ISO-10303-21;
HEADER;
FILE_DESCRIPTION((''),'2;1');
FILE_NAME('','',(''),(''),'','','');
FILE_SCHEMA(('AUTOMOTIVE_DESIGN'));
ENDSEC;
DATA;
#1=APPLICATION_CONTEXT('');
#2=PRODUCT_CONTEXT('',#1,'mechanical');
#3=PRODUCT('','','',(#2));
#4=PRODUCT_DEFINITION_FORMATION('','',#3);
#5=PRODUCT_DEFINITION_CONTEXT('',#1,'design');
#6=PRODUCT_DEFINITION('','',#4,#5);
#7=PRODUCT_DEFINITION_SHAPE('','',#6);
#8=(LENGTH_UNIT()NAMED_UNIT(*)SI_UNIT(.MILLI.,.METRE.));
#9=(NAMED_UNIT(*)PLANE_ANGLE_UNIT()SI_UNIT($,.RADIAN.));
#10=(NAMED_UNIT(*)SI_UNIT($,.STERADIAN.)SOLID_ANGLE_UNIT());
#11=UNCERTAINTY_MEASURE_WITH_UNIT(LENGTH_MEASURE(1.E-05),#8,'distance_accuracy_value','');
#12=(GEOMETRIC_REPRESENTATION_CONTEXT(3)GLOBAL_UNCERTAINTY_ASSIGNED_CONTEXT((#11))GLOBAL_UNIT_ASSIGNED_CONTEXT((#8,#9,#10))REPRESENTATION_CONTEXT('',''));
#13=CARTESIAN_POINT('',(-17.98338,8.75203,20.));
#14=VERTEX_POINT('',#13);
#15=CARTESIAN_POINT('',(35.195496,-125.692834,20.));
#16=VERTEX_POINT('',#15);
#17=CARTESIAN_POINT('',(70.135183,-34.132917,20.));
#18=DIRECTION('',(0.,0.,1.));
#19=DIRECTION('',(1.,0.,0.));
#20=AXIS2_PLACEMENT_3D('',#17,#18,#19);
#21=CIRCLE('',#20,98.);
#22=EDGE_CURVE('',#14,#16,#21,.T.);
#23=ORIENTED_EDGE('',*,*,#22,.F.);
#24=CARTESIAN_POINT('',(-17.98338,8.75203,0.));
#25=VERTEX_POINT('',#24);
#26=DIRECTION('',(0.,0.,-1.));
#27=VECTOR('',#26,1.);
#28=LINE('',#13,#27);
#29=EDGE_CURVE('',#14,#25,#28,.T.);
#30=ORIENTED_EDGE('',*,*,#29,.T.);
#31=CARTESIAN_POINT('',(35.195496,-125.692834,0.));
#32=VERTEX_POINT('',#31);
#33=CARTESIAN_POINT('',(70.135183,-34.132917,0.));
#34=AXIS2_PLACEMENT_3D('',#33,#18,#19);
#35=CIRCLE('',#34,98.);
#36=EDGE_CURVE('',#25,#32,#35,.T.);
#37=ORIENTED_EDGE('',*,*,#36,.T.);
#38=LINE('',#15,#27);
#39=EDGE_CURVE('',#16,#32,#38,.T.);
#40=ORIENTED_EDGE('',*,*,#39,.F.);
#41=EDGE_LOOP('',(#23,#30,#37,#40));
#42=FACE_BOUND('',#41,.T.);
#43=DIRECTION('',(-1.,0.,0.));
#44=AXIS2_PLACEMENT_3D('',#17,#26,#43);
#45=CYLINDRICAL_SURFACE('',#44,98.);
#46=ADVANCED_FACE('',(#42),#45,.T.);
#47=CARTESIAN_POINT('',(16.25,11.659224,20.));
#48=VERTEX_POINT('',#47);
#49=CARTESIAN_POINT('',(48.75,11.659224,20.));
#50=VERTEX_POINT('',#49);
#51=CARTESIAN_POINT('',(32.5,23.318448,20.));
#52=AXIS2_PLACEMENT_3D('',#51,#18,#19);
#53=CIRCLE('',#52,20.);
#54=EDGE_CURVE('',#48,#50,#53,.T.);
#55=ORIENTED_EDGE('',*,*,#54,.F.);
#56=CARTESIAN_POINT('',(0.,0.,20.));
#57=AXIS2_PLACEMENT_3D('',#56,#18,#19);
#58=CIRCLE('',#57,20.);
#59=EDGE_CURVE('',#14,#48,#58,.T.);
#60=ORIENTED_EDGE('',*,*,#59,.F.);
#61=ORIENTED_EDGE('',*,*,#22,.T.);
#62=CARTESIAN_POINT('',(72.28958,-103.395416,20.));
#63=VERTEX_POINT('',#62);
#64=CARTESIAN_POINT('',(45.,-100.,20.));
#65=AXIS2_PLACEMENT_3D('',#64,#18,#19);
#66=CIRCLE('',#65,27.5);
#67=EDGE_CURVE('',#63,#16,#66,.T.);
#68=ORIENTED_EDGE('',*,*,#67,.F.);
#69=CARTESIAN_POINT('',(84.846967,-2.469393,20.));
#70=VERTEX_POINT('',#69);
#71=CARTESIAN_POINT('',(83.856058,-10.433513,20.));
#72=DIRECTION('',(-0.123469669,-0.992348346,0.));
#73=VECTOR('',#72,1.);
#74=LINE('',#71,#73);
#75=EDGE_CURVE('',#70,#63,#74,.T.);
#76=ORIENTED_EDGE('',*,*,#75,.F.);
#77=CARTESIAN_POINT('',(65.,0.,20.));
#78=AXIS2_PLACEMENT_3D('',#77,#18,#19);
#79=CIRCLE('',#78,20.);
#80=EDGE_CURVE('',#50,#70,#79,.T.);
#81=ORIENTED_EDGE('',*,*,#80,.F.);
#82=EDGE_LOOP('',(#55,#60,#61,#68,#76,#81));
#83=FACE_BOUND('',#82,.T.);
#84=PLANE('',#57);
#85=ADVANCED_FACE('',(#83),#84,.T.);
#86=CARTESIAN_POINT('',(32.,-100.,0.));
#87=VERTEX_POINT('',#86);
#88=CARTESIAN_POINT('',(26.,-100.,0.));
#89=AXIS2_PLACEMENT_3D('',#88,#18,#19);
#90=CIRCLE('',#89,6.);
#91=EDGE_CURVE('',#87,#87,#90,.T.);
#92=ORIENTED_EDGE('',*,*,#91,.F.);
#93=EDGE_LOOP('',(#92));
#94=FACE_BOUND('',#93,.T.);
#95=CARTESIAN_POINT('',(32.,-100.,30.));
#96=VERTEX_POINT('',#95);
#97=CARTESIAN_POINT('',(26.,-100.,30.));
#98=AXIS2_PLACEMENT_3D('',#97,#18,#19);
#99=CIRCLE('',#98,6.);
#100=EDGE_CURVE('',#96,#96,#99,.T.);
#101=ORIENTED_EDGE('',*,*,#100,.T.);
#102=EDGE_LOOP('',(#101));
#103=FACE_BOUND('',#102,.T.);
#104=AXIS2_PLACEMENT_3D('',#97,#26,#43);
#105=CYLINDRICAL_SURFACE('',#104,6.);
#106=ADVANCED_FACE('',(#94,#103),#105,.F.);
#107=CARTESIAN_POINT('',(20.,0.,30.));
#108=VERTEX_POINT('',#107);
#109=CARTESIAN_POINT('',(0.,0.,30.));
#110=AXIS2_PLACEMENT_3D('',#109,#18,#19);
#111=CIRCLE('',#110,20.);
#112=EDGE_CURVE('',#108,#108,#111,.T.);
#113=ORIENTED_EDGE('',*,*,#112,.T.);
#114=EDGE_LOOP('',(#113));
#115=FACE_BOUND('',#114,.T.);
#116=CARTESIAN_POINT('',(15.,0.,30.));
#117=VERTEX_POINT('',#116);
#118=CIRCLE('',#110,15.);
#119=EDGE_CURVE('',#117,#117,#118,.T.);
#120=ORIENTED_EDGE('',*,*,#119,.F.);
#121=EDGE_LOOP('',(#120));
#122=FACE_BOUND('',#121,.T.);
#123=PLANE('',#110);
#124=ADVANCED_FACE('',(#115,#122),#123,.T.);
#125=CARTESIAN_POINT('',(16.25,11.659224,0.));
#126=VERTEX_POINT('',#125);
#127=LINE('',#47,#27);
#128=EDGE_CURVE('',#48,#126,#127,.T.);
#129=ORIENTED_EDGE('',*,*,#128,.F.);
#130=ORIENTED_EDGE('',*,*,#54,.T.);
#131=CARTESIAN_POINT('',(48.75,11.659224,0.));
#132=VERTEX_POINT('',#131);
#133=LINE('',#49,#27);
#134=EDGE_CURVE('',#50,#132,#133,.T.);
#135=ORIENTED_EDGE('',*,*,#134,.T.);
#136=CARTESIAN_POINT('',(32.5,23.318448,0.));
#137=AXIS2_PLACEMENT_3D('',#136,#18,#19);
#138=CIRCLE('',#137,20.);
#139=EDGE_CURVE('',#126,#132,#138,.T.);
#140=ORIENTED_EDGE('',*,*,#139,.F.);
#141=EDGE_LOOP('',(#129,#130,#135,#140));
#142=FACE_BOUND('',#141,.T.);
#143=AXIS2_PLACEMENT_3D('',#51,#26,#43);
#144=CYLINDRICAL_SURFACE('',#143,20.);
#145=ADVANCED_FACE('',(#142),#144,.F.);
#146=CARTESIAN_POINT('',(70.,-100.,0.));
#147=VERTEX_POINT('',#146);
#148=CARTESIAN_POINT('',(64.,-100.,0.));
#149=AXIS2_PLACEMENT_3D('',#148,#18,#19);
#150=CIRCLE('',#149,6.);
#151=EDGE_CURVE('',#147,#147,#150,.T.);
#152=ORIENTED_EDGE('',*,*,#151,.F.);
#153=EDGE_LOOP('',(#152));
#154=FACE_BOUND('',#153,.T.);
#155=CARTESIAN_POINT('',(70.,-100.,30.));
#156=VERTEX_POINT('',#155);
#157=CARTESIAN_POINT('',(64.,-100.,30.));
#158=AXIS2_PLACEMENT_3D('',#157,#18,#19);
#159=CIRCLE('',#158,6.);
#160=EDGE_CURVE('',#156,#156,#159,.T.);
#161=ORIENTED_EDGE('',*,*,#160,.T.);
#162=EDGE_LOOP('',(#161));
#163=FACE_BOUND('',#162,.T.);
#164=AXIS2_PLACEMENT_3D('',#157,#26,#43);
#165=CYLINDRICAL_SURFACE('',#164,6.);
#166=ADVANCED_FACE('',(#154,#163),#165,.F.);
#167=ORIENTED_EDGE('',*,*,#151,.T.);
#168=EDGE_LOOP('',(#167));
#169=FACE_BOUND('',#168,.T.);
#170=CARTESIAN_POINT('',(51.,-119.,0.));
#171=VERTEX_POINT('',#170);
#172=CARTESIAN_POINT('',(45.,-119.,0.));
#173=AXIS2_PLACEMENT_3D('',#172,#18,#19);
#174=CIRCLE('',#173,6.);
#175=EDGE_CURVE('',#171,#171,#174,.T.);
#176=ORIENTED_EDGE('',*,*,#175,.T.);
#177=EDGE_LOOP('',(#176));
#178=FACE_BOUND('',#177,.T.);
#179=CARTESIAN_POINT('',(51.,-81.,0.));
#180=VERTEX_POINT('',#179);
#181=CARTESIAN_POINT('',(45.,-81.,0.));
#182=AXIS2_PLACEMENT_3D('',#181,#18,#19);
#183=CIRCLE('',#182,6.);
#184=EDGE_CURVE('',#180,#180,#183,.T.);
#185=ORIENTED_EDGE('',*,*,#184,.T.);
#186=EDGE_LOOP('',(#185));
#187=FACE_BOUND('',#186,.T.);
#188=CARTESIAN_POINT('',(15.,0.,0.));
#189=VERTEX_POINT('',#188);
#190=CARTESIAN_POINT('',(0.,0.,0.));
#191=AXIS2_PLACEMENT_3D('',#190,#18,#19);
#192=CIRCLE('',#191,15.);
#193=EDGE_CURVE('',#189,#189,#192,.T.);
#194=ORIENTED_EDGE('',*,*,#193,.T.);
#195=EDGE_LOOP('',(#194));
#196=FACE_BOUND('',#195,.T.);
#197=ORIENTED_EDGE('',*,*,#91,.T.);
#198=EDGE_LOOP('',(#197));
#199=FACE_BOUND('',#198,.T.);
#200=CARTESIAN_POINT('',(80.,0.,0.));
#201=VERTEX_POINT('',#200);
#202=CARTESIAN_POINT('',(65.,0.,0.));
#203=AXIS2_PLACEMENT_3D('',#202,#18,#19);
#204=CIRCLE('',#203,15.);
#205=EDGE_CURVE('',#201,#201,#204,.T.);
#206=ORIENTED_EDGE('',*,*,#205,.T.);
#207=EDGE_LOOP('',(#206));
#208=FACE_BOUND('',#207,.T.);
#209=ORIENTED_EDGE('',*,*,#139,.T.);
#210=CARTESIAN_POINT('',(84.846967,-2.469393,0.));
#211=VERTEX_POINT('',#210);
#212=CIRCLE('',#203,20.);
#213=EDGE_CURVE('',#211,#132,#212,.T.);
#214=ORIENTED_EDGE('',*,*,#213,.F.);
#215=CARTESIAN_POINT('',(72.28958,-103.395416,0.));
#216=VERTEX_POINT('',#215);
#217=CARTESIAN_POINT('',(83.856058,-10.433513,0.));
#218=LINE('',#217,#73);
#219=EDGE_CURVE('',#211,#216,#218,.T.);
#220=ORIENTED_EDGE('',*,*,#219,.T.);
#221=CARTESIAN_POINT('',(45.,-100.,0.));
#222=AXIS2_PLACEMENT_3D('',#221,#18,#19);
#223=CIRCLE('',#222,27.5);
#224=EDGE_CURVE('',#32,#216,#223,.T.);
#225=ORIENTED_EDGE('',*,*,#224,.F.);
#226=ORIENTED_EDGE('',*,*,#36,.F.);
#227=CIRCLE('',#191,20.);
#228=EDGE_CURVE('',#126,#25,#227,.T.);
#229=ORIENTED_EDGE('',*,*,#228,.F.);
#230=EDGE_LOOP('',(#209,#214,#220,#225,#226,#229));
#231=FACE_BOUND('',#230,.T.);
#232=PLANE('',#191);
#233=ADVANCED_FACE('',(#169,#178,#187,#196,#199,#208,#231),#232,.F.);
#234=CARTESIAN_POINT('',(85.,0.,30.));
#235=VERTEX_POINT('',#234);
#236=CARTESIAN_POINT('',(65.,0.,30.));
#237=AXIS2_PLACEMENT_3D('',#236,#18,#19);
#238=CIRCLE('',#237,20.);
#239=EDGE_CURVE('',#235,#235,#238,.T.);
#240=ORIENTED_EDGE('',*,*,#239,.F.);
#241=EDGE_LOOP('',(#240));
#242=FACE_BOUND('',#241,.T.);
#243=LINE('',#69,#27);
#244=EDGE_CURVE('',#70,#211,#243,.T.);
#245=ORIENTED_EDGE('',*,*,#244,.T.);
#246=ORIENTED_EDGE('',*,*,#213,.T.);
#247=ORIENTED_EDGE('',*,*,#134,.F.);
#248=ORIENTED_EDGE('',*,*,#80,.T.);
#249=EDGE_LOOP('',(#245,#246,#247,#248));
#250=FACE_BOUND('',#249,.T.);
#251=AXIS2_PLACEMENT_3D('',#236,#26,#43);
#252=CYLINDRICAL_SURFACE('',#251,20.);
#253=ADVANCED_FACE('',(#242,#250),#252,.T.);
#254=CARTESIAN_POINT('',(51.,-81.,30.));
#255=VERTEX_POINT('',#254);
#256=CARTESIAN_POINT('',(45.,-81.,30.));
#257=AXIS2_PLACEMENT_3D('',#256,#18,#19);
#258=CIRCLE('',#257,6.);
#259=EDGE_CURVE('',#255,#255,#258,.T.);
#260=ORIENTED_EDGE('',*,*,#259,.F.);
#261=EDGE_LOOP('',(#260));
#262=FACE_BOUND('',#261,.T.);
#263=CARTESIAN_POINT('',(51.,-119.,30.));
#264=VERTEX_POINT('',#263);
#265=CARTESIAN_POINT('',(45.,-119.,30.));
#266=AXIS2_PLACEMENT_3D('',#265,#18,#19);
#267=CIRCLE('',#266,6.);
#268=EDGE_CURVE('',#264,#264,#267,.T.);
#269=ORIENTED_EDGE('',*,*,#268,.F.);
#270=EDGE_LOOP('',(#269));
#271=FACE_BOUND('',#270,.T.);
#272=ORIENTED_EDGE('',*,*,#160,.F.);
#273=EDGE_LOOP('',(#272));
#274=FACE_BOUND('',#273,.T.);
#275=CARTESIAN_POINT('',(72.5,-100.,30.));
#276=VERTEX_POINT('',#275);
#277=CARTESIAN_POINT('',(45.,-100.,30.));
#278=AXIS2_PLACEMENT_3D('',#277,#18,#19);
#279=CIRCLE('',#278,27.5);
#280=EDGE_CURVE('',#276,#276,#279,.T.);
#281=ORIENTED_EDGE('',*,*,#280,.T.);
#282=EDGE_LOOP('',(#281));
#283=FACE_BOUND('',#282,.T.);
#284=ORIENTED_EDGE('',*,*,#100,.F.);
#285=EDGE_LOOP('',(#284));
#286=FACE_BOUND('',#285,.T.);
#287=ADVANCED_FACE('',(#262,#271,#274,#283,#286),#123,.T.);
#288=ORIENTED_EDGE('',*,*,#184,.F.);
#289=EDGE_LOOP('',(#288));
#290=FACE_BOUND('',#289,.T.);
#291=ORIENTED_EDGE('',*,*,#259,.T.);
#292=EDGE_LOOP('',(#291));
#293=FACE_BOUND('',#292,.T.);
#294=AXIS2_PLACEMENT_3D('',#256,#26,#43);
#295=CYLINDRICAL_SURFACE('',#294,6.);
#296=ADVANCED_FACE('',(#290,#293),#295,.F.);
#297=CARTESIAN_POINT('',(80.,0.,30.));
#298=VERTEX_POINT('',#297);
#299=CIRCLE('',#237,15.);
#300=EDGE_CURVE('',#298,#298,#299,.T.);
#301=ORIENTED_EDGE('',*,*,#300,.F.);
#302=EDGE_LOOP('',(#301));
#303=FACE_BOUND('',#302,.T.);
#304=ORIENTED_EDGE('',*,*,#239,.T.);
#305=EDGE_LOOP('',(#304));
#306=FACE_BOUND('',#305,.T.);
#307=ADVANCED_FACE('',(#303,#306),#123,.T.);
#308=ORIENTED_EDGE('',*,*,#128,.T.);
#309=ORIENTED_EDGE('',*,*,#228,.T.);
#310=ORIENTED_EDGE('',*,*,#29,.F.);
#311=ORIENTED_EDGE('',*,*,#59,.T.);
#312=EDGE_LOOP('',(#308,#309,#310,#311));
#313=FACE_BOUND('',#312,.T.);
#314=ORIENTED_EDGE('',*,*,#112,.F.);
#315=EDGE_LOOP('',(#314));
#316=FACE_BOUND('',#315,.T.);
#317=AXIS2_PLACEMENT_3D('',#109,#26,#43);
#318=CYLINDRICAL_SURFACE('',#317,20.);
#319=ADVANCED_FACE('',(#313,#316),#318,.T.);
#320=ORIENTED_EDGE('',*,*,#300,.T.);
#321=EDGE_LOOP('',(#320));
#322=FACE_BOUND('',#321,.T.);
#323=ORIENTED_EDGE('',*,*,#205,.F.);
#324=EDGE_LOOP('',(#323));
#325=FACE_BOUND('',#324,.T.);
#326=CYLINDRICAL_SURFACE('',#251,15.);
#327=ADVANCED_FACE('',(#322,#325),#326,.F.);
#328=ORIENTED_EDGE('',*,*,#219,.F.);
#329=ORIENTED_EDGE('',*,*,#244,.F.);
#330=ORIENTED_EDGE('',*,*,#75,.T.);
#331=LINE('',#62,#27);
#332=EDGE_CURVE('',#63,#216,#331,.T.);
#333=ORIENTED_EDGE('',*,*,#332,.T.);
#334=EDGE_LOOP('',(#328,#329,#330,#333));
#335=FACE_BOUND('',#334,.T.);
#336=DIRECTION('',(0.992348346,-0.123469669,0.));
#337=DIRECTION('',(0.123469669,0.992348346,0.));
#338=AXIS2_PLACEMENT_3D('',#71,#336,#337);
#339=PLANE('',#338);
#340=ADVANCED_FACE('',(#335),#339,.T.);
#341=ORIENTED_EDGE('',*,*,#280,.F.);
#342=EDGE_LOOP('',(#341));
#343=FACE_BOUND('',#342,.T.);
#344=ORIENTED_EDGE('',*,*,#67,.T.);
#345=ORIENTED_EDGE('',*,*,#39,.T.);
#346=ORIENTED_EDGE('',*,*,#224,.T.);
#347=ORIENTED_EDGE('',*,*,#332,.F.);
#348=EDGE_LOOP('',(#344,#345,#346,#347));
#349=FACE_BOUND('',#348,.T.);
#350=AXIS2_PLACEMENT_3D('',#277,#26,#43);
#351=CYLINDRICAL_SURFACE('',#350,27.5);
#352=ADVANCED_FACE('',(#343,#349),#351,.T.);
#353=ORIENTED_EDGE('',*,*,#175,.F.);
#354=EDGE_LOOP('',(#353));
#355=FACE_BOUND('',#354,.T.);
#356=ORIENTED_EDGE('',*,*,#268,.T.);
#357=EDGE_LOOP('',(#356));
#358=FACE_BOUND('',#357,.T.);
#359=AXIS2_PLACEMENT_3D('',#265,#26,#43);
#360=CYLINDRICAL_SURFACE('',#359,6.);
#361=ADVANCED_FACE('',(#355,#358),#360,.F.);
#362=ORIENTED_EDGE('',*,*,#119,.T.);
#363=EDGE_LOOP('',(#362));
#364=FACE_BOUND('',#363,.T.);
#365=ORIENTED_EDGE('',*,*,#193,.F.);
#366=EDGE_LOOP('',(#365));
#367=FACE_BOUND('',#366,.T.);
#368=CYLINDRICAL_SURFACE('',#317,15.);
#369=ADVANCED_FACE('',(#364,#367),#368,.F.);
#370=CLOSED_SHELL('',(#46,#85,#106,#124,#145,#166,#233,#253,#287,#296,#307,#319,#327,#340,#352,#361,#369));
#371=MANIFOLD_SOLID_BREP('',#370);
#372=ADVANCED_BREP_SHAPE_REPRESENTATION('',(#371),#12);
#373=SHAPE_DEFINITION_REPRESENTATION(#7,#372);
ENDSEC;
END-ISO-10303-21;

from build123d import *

# Parameters (mm, degrees)
BOSS_EXTRUDE1_DEPTH = 20
SKETCH1_3_R         = 20
SKETCH1_3_R_2       = 15
SKETCH1_3_R_3       = 27.5
SKETCH1_3_R_4       = 6
BOSS_EXTRUDE2_DEPTH = 30


with BuildPart() as part:
    # Sketch1 → Boss-Extrude1 (new body)
    with BuildSketch(Plane.XY):
        with BuildLine():
            Line((72.289579528, -103.395415906), (84.84696693, -2.469393386))
            ThreePointArc((84.84696693, -2.469393386), (57.710349886, -18.624204714), (48.75, 11.659223816))
            ThreePointArc((48.75, 11.659223816), (32.5, 3.318447633), (16.25, 11.659223816))
            ThreePointArc((16.25, 11.659223816), (19.039432765, 6.123724357), (20, 0))
            ThreePointArc((20, 0), (-4.490678851, -19.489325372), (-17.983380346, 8.752030126))
            ThreePointArc((-17.983380346, 8.752030126), (-20.994881076, -70.178879235), (35.195495857, -125.692833602))
            ThreePointArc((35.195495857, -125.692833602), (29.401504302, -77.351888998), (72.5, -100))
            ThreePointArc((72.5, -100), (72.447344471, -101.700964869), (72.289579528, -103.395415906))
        make_face()
    extrude(amount=BOSS_EXTRUDE1_DEPTH)

    # Sketch1<3> → Boss-Extrude2 (add)
    # profile 1 of 3: a face of its own
    with BuildSketch(Plane.XY):
        with Locations((65, 0)):
            Circle(SKETCH1_3_R)
        with Locations((65, 0)):
            Circle(SKETCH1_3_R_2, mode=Mode.SUBTRACT)
    # profile 2 of 3: a face of its own
    with BuildSketch(Plane.XY):
        with Locations((45, -100)):
            Circle(SKETCH1_3_R_3)
        with Locations((26, -100)):
            Circle(SKETCH1_3_R_4, mode=Mode.SUBTRACT)
        with Locations((45, -119)):
            Circle(SKETCH1_3_R_4, mode=Mode.SUBTRACT)
        with Locations((64, -100)):
            Circle(SKETCH1_3_R_4, mode=Mode.SUBTRACT)
        with Locations((45, -81)):
            Circle(SKETCH1_3_R_4, mode=Mode.SUBTRACT)
    # profile 3 of 3: a face of its own
    with BuildSketch(Plane.XY):
        Circle(SKETCH1_3_R)
        Circle(SKETCH1_3_R_2, mode=Mode.SUBTRACT)
    extrude(amount=BOSS_EXTRUDE2_DEPTH)


solid = part.part
